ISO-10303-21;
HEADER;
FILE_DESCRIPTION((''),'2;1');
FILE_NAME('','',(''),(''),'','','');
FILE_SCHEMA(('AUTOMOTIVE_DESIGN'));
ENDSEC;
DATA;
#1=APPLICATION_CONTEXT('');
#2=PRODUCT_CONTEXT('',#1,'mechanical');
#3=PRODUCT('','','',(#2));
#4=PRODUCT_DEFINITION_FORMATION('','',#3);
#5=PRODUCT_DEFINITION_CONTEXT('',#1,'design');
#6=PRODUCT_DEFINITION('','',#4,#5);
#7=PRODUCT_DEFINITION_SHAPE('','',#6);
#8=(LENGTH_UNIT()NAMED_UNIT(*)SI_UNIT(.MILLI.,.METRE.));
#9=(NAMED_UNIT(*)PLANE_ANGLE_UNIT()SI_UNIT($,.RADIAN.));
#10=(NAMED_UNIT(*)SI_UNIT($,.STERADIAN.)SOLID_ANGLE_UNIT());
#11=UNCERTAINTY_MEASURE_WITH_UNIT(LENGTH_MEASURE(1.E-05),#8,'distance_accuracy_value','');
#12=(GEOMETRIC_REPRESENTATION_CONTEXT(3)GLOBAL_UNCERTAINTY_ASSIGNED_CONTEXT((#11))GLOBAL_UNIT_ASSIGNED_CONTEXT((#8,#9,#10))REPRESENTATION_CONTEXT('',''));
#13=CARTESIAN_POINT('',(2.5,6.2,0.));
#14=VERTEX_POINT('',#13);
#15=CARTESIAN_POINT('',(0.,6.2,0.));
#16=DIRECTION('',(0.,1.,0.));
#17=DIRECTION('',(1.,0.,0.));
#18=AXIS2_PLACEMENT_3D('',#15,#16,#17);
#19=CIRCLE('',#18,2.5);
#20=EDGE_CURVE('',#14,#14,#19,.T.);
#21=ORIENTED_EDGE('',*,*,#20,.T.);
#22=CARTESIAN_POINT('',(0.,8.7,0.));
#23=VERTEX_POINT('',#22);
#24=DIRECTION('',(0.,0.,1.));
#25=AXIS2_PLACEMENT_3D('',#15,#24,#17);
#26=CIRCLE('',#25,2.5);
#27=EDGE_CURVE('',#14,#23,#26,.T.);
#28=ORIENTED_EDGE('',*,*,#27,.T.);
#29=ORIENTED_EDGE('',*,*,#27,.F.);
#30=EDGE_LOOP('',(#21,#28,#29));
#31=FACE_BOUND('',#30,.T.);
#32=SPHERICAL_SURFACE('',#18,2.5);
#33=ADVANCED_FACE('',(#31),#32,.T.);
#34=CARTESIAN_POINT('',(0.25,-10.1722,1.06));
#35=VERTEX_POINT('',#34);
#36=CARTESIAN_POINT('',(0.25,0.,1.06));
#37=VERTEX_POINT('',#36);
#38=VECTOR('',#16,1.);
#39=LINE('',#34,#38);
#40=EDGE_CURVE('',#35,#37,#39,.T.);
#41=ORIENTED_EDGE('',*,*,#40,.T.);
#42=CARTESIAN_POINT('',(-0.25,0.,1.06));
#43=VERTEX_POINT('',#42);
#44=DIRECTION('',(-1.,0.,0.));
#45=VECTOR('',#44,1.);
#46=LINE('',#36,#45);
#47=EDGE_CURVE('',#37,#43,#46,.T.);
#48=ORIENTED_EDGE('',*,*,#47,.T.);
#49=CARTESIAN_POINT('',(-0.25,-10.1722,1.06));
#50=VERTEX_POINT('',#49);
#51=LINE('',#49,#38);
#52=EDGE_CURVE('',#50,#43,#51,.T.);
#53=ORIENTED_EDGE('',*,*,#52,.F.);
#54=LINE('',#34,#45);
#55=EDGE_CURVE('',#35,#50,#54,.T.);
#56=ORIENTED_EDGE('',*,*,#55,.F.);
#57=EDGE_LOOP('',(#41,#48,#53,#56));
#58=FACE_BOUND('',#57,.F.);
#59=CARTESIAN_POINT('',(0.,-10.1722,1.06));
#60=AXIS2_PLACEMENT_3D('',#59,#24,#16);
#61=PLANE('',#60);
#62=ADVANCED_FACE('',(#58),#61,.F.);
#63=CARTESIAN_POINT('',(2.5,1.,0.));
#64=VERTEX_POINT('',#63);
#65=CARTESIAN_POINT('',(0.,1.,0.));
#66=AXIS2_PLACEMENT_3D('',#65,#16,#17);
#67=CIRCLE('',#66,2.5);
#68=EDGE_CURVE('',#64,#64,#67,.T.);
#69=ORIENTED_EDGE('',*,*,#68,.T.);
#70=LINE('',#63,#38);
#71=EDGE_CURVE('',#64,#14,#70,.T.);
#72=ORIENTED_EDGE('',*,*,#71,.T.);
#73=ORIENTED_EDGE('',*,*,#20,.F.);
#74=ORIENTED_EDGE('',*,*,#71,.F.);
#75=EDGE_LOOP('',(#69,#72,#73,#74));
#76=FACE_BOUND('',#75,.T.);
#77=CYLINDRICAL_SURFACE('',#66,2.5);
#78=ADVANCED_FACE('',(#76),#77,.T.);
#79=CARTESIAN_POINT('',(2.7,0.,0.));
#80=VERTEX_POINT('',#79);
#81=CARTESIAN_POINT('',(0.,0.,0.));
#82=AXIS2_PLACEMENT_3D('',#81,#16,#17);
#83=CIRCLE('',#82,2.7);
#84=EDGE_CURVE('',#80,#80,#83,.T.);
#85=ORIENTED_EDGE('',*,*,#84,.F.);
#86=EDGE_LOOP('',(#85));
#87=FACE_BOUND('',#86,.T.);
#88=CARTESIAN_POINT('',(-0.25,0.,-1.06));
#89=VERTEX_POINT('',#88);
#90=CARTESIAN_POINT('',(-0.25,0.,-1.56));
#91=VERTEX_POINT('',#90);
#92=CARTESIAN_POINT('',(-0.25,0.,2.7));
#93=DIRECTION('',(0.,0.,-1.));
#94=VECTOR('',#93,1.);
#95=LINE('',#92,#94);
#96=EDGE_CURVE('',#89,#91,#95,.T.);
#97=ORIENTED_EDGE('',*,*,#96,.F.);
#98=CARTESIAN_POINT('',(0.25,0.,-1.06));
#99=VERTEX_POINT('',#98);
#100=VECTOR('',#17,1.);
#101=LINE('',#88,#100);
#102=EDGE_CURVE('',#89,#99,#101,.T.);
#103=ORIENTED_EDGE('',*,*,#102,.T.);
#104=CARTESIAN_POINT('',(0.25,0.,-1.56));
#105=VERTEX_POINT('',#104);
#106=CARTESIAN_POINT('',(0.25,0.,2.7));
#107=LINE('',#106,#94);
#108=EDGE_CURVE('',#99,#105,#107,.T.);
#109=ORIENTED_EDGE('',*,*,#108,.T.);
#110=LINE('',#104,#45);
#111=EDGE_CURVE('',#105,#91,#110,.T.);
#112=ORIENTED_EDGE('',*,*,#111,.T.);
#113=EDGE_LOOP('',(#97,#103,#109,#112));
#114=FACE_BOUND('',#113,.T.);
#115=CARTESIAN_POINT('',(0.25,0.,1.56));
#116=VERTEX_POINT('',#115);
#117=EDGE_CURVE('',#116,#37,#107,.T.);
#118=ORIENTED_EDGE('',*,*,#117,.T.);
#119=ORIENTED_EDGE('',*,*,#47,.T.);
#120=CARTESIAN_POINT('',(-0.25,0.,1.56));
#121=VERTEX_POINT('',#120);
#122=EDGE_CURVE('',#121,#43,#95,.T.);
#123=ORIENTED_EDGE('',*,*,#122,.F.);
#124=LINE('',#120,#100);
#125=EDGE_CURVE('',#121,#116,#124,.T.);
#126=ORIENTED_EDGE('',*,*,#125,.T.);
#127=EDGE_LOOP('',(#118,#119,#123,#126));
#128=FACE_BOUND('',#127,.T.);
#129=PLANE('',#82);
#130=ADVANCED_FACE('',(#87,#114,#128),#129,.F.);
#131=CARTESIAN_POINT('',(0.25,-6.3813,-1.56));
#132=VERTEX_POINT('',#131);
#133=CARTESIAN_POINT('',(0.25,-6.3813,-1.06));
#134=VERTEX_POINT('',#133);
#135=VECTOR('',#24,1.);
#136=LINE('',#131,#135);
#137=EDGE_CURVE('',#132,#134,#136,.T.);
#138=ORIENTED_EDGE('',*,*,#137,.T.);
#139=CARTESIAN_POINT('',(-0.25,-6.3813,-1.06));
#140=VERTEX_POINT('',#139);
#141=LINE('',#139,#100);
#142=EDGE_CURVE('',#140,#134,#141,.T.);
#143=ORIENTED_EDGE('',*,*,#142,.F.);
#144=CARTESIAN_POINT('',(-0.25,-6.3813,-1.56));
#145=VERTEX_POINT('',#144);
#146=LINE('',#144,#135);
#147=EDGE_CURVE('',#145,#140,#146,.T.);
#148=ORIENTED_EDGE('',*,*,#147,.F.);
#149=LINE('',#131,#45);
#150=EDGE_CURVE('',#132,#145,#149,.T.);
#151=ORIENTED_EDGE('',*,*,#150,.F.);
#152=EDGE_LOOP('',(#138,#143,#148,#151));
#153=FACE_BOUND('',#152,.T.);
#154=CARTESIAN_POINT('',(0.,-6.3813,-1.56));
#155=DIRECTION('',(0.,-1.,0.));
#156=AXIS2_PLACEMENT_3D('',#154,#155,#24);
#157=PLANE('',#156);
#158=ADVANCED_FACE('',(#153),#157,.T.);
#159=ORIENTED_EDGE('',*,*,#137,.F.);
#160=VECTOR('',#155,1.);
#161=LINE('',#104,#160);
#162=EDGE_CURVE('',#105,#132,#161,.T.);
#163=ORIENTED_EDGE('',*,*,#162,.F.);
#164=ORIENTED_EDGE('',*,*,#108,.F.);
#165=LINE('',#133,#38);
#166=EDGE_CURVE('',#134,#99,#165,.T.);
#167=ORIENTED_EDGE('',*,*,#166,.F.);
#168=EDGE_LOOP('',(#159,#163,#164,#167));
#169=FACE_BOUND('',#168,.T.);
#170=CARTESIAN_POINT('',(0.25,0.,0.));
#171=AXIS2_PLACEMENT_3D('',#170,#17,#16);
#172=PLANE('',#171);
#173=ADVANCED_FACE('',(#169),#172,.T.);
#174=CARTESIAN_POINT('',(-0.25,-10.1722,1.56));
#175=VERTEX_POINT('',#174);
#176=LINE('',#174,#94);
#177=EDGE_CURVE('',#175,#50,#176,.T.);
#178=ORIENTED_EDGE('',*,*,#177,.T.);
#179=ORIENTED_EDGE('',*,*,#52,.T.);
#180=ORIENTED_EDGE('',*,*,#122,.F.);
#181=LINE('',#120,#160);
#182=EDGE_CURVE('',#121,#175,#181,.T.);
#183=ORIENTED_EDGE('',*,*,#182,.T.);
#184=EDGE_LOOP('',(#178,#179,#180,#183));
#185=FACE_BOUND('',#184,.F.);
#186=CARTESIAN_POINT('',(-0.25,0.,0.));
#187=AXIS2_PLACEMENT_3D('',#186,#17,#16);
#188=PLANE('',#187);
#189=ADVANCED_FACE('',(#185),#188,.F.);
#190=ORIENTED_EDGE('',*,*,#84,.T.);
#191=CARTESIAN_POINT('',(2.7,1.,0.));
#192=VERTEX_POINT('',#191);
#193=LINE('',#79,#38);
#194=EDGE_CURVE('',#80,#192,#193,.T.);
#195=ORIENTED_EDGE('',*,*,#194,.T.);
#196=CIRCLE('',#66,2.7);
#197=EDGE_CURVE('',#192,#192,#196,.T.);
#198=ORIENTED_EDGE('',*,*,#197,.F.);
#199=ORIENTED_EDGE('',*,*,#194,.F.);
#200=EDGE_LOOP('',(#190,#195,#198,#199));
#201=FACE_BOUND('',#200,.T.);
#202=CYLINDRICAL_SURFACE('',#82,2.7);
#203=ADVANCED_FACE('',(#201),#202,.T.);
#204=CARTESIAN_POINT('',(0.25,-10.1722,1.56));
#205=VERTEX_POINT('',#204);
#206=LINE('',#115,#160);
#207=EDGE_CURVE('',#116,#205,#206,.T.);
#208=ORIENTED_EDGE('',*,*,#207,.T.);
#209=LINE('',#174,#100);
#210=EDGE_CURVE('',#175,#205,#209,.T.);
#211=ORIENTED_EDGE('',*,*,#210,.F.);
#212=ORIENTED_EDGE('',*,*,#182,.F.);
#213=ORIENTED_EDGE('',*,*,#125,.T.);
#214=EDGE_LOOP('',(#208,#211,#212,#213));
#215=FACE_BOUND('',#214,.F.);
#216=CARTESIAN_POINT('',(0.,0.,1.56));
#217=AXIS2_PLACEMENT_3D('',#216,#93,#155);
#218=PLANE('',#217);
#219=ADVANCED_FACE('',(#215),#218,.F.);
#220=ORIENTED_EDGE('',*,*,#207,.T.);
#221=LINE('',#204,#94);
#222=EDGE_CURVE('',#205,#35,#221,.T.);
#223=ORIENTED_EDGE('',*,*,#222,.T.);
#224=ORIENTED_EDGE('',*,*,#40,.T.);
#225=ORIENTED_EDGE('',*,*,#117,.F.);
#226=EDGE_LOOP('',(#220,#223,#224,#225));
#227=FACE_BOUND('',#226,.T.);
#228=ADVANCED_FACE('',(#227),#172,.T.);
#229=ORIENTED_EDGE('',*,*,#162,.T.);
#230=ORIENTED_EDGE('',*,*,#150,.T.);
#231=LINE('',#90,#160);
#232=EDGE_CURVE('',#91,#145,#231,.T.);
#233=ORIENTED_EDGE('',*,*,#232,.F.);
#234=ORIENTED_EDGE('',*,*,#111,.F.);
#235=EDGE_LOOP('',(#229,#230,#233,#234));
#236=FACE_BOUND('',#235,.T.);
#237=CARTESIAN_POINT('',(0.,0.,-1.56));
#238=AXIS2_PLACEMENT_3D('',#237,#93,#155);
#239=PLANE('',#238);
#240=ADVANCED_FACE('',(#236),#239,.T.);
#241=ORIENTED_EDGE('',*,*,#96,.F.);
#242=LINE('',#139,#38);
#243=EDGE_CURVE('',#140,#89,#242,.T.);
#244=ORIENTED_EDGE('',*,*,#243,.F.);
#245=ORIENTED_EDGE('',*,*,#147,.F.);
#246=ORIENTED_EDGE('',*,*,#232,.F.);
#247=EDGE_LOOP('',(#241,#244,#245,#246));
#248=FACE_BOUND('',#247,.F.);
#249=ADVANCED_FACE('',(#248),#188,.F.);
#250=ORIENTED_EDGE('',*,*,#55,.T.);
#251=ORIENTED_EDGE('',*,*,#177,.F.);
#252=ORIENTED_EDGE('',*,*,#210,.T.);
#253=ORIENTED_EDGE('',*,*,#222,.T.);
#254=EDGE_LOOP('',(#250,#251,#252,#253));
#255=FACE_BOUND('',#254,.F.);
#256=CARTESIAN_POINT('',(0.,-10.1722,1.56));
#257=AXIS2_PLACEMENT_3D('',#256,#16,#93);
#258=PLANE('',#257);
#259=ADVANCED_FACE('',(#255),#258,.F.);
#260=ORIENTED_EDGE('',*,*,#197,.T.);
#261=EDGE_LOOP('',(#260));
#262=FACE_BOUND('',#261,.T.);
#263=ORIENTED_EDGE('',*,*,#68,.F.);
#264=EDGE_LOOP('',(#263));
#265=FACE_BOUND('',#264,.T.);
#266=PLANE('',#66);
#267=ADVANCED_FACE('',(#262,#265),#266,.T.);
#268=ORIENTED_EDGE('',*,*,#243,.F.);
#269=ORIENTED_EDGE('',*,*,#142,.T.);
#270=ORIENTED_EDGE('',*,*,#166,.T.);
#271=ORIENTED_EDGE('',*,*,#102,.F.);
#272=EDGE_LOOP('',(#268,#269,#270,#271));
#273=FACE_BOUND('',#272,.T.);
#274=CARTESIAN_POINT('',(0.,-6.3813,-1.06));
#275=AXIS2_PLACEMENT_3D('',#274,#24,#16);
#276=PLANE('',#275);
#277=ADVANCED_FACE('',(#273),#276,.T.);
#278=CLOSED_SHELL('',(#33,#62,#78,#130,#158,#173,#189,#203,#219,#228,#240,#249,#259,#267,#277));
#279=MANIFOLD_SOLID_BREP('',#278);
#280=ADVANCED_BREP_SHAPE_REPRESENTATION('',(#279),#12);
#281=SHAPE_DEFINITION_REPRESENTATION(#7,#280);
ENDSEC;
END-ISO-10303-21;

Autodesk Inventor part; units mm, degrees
ref_plane "YZ Plane" through (0, 0, 0) normal (1, 0, 0) x (0, 1, 0)
ref_plane "XZ Plane" through (0, 0, 0) normal (0, 1, 0) x (-1, 0, 0)
ref_plane "XY Plane" through (0, 0, 0) normal (0, 0, 1) x (1, 0, 0)
sketch "스케치1" plane through (0, 0, 0) normal (0, 0, 1) x (1, 0, 0)
  line L0 (0, 0) -> (2.5, 0)
  line L1 (0, 0) -> (0, 8.7)
  line L2 (2.5, 0) -> (2.7, 0)
  line L3 (2.7, 0) -> (2.7, 1)
  line L4 (2.7, 1) -> (2.5, 1)
  line L5 (2.5, 1) -> (2.5, 6.2)
  line L6 (2.5, 8.7) -> (0, 8.7)
  arc A0 (2.5, 6.2) -> (0, 8.7) centre (0, 6.2) ccw
  dimension "d0" = 2.5
  dimension "d1" = 8.7
  dimension "d2" = 0.2
  dimension "d3" = 1
  dimension "d4" = 2.5
revolve "회전1" add sketch "스케치1" angle 360 about axis through (0, 0, 0) along (0, 1, 0)
sketch "스케치2" plane through (0, 0, 0) normal (1, 0, 0) x (0, 1, 0)
  line L0 (0, 2.7) -> (0, -2.7) projected
  line L1 (0, -1.56) -> (-6.3813, -1.56)
  line L2 (-6.3813, -1.56) -> (-6.3813, -1.06)
  line L3 (-6.3813, -1.06) -> (0, -1.06)
  line L4 (0, -1.06) -> (0, -1.56)
  line L5 (0, 1.56) -> (-10.1722, 1.56)
  line L6 (-10.1722, 1.56) -> (-10.1722, 1.06)
  line L7 (-10.1722, 1.06) -> (0, 1.06)
  line L8 (0, 1.06) -> (0, 1.56)
  point P0 (0, 0)
  point P1 (0, 1.06)
  dimension "d7" = 1.14
  dimension "d8" = 1.14
  dimension "d9" = 0.5
  dimension "d10" = 0.5
extrude "돌출1" add sketch "스케치2" along normal mid plane 0.5
properties part number "LED"
